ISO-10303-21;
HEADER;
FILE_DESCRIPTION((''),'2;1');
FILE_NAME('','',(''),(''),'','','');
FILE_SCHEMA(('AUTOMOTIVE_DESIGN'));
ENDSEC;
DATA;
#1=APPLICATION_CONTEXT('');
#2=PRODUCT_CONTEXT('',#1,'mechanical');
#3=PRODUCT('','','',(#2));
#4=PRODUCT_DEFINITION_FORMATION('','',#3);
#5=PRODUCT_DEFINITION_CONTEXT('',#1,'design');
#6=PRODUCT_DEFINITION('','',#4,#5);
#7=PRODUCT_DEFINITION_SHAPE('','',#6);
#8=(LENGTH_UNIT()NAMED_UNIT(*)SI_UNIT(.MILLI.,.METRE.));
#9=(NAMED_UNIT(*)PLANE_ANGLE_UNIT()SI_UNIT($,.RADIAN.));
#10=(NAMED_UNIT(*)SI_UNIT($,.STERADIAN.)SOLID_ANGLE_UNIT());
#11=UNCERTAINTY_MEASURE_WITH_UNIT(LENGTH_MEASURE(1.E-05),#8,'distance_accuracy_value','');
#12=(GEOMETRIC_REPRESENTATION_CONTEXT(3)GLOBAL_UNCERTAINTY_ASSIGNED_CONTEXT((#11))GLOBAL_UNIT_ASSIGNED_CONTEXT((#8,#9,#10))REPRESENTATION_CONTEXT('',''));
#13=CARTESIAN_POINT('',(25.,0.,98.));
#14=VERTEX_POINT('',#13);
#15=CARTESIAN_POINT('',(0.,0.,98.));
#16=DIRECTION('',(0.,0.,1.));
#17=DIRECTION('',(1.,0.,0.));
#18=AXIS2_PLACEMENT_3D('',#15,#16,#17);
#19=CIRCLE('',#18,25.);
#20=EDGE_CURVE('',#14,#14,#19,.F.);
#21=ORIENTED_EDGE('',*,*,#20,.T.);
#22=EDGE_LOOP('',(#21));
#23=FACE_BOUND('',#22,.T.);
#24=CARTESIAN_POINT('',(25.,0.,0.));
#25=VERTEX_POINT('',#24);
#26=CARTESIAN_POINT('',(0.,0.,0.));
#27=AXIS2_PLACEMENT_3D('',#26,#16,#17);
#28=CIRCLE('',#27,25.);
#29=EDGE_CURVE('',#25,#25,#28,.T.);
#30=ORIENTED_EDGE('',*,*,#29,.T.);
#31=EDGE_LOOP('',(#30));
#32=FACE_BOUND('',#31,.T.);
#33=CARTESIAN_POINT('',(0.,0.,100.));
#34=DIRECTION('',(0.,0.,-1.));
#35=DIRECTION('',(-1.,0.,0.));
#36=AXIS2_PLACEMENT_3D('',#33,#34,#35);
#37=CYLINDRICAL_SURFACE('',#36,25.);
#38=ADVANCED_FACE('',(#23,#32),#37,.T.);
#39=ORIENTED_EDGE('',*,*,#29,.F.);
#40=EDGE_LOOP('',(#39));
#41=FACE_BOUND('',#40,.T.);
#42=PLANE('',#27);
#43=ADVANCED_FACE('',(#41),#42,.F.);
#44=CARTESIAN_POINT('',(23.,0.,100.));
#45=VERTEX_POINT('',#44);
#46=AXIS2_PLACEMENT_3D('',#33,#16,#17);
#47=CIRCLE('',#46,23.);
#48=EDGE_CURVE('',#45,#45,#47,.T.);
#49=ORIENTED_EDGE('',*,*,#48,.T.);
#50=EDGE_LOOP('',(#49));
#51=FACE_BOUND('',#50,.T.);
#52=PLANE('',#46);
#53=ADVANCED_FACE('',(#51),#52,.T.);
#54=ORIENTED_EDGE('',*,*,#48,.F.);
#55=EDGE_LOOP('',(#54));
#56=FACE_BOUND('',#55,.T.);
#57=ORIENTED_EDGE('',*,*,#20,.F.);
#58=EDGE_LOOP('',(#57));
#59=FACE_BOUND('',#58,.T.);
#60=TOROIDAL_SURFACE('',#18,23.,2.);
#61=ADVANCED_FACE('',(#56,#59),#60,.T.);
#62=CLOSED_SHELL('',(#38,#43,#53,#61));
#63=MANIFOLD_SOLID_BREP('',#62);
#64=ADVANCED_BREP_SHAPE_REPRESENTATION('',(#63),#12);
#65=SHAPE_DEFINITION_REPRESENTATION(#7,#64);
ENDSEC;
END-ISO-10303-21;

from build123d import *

# Parameters (mm, degrees)
SKETCH_1_R      = 25
EXTRUDE_1_DEPTH = 100
FILLET_1_R      = 2


with BuildPart() as part:
    # Эскиз1 → Бобышка-Вытянуть1 (new body)
    with BuildSketch(Plane.XY):
        Circle(SKETCH_1_R)
    extrude(amount=EXTRUDE_1_DEPTH)

    # Скругление1
    fillet_1_edges = [part.edges().sort_by_distance(p)[0] for p in [
        (-25, 0, 100),
    ]]
    fillet(fillet_1_edges, radius=FILLET_1_R)


solid = part.part
